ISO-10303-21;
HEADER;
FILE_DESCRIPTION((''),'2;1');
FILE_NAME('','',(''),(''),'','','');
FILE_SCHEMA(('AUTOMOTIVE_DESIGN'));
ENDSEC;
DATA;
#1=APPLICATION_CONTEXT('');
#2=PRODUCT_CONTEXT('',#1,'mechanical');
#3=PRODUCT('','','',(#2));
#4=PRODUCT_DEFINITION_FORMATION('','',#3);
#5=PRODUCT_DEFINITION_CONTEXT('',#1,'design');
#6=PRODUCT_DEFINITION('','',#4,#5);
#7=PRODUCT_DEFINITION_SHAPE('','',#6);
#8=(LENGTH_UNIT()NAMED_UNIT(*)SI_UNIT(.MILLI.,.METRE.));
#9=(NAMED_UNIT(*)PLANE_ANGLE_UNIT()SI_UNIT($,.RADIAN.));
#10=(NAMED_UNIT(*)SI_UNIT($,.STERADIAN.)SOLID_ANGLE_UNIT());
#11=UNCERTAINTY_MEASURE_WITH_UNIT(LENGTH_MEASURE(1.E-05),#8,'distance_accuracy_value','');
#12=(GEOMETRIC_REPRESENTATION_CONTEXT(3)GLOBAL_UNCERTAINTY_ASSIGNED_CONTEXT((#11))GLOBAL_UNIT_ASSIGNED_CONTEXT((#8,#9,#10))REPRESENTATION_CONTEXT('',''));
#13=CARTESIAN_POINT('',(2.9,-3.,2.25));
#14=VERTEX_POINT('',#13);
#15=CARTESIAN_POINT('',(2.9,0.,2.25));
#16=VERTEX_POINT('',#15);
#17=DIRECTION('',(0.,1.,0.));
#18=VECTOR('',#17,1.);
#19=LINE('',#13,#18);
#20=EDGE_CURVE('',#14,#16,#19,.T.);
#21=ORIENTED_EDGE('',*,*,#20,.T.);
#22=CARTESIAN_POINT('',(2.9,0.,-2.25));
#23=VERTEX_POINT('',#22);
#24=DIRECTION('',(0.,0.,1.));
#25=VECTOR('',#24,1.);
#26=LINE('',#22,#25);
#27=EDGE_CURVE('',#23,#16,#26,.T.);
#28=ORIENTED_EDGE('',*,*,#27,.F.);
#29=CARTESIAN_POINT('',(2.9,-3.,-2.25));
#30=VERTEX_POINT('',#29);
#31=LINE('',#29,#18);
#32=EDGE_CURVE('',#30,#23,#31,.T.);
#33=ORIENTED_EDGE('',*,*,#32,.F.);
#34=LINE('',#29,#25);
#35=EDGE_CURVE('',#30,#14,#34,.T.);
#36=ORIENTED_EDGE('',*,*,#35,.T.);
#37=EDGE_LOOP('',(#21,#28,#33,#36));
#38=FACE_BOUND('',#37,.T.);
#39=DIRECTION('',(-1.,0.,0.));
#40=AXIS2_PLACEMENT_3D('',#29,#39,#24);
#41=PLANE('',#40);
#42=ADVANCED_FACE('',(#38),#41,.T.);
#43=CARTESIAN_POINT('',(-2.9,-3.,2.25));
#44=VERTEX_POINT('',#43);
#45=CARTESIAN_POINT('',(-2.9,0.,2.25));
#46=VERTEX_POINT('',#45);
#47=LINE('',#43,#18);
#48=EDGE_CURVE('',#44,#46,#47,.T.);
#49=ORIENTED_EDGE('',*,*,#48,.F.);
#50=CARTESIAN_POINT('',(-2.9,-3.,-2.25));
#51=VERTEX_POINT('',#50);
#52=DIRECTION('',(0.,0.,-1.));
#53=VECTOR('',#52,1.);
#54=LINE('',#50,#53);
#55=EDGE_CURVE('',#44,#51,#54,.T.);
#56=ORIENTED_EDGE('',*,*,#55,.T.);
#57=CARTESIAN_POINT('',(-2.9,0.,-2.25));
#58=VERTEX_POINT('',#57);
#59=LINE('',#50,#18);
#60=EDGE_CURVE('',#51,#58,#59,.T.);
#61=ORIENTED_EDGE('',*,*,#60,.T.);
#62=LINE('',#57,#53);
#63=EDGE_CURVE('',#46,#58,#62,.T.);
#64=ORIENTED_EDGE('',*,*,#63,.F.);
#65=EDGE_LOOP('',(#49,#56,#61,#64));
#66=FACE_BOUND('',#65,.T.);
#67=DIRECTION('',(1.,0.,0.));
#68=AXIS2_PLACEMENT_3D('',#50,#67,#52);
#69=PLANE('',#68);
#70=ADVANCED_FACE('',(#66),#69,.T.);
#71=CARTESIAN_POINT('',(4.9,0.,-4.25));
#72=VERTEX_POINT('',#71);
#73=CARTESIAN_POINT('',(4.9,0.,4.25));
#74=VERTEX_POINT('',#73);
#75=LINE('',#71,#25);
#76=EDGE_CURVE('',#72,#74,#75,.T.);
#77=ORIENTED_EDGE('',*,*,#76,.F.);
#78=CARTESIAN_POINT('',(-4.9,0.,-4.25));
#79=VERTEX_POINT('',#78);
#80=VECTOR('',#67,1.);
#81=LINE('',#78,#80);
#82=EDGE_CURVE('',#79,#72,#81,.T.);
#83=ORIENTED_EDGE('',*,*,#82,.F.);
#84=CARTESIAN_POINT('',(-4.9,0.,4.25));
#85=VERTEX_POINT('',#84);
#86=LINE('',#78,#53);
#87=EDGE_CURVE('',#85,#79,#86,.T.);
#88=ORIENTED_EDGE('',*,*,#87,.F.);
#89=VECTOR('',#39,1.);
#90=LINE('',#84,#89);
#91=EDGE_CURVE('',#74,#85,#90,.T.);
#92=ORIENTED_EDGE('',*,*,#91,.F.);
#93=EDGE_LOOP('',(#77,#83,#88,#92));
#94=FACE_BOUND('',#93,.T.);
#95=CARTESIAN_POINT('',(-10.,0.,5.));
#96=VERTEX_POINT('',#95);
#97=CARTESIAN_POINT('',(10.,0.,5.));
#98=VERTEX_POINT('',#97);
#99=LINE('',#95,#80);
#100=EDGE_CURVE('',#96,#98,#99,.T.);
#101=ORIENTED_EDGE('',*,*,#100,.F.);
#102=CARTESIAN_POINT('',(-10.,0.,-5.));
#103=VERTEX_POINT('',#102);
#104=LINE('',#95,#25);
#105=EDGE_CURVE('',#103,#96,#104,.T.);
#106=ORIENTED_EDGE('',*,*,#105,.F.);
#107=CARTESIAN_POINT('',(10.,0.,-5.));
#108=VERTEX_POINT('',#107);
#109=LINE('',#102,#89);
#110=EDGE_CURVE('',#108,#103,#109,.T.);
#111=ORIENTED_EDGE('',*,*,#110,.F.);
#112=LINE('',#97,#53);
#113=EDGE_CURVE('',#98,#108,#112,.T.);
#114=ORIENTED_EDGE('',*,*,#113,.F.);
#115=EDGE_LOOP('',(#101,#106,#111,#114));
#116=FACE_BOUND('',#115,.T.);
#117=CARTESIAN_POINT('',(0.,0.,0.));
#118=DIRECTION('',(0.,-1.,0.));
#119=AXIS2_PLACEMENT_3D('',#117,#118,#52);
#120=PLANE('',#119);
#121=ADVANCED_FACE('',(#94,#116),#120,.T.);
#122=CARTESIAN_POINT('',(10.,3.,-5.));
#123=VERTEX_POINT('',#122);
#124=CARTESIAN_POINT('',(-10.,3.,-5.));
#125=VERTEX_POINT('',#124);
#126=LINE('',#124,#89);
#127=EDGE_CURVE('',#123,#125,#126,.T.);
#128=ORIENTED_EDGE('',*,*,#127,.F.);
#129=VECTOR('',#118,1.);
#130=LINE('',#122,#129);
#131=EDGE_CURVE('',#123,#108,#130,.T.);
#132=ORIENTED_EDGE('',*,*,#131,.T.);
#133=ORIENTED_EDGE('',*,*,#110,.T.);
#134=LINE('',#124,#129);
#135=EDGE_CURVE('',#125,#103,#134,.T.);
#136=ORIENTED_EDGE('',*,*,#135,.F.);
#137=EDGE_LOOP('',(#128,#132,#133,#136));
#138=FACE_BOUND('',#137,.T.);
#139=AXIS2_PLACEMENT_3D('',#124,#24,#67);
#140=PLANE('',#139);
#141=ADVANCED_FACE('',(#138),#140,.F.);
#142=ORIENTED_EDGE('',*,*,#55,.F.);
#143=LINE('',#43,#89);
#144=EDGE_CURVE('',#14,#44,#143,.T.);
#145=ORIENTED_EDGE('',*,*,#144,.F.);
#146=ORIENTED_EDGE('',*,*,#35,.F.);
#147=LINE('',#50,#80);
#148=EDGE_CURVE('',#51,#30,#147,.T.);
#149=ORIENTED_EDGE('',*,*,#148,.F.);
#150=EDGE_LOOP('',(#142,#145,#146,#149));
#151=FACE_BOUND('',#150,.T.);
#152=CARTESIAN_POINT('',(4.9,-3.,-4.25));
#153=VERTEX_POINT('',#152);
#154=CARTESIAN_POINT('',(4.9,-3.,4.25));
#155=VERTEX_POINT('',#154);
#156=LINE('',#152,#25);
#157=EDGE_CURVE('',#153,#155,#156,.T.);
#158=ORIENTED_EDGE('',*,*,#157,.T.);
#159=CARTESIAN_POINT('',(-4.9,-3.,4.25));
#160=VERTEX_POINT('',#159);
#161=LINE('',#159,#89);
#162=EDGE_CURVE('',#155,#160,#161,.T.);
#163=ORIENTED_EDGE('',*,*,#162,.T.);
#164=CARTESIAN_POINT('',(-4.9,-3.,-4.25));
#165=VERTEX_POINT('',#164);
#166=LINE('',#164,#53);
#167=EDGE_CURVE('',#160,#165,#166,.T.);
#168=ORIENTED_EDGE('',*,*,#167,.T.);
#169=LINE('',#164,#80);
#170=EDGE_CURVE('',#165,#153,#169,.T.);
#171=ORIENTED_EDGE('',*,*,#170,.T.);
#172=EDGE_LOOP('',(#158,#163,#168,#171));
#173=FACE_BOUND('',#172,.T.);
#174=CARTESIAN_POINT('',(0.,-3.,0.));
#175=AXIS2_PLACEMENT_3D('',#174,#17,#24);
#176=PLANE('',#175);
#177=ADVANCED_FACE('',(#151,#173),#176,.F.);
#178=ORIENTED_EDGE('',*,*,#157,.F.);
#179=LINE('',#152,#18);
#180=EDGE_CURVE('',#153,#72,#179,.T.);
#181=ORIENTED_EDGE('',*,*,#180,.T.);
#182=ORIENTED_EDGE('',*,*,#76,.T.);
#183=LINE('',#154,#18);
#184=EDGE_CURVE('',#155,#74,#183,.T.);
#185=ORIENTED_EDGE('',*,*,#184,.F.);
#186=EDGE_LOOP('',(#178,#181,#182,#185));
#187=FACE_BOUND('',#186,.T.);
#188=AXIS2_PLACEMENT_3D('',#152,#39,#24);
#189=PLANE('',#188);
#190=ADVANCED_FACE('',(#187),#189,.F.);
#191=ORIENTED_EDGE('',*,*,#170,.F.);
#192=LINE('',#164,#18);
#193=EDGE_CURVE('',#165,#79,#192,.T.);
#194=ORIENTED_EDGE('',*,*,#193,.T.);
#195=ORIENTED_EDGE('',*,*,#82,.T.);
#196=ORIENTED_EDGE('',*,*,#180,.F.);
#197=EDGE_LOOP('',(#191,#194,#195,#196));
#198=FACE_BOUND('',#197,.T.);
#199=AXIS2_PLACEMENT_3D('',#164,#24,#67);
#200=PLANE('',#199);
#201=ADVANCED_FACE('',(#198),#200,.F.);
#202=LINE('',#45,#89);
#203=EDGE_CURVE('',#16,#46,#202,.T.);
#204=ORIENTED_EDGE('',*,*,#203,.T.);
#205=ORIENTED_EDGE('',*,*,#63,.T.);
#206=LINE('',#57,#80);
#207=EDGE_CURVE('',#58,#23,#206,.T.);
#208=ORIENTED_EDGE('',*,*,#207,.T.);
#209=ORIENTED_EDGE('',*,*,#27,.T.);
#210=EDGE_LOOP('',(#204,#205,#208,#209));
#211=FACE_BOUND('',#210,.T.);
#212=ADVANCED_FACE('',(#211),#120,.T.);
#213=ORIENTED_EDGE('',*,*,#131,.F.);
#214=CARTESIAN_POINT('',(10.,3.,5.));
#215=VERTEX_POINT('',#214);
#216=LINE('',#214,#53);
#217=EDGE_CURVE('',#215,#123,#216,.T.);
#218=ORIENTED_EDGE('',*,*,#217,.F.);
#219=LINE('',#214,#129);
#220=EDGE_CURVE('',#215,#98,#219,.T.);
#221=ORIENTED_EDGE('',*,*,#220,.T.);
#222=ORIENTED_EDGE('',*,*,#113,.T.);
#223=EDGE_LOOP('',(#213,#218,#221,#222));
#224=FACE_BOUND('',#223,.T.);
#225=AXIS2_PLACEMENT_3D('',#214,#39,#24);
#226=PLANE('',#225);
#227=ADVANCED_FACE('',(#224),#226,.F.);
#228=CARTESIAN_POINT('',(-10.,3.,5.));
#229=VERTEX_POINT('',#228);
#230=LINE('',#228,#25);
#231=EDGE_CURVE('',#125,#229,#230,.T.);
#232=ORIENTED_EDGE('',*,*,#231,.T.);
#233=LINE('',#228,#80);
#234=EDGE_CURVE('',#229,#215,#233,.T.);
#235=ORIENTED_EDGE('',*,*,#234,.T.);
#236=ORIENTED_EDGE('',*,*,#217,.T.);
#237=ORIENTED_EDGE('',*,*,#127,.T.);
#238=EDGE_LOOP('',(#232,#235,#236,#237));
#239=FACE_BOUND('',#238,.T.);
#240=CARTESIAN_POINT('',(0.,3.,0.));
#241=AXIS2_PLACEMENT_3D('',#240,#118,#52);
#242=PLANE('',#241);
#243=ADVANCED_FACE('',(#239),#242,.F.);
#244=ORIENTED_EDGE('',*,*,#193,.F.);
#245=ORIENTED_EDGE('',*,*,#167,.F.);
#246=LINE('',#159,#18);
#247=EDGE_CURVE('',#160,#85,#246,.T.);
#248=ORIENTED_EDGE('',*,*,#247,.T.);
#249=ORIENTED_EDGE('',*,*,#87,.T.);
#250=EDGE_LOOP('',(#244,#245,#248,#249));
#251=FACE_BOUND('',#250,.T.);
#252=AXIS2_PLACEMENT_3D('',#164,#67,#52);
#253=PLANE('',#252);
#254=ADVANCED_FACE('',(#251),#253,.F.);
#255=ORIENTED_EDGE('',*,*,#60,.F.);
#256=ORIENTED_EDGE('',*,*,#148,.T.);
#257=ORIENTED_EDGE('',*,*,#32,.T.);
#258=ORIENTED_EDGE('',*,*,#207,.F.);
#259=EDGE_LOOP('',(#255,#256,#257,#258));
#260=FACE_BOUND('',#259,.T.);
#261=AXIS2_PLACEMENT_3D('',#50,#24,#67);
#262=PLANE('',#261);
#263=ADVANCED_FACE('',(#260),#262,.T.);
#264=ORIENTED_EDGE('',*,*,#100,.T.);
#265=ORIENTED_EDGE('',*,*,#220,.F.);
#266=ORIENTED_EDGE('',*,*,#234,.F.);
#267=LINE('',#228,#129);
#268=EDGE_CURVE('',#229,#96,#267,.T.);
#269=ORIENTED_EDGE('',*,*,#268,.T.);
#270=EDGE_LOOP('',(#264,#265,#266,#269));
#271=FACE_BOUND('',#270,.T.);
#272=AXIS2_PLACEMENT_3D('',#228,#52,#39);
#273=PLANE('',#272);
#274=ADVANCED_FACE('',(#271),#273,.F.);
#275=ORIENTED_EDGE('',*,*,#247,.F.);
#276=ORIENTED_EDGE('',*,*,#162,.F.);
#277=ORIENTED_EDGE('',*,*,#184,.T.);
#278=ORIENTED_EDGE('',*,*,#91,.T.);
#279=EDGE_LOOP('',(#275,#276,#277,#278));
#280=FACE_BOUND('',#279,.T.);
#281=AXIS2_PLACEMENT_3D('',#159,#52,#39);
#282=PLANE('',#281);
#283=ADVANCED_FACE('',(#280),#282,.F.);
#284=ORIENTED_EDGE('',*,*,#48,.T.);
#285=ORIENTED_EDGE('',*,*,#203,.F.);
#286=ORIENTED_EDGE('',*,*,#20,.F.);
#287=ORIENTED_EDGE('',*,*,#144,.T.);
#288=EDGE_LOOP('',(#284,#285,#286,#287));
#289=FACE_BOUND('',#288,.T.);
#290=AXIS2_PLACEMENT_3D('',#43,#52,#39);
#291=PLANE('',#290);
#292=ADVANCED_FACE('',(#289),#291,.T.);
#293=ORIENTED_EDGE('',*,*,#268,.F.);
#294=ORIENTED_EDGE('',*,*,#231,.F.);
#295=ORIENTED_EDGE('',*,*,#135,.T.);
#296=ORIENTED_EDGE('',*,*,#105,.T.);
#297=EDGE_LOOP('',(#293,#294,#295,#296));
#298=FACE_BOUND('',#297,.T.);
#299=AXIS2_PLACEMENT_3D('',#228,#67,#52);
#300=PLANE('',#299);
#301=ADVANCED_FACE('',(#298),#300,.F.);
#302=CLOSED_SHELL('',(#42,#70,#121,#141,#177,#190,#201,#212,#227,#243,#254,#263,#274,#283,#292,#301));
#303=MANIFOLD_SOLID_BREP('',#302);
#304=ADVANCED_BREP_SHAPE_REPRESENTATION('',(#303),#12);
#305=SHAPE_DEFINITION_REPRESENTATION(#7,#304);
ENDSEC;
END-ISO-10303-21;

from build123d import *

# Parameters (mm, degrees)
SKETCH1_W           = 20
SKETCH1_H           = 10
BOSS_EXTRUDE1_DEPTH = 3
SKETCH2_W           = 9.8
SKETCH2_H           = 8.5
SKETCH2_W_2         = 5.8
SKETCH2_H_2         = 4.5
BOSS_EXTRUDE2_DEPTH = 3


with BuildPart() as part:
    # Sketch1 → Boss-Extrude1 (new body)
    with BuildSketch(Plane(origin=(0, 0, 0), x_dir=(1, 0, 0), z_dir=(0, 1, 0))):
        Rectangle(SKETCH1_W, SKETCH1_H)
    extrude(amount=BOSS_EXTRUDE1_DEPTH)

    # Sketch2 → Boss-Extrude2 (add)
    with BuildSketch(Plane.XZ):
        Rectangle(SKETCH2_W, SKETCH2_H)
        Rectangle(SKETCH2_W_2, SKETCH2_H_2, mode=Mode.SUBTRACT)
    extrude(amount=BOSS_EXTRUDE2_DEPTH)


solid = part.part
